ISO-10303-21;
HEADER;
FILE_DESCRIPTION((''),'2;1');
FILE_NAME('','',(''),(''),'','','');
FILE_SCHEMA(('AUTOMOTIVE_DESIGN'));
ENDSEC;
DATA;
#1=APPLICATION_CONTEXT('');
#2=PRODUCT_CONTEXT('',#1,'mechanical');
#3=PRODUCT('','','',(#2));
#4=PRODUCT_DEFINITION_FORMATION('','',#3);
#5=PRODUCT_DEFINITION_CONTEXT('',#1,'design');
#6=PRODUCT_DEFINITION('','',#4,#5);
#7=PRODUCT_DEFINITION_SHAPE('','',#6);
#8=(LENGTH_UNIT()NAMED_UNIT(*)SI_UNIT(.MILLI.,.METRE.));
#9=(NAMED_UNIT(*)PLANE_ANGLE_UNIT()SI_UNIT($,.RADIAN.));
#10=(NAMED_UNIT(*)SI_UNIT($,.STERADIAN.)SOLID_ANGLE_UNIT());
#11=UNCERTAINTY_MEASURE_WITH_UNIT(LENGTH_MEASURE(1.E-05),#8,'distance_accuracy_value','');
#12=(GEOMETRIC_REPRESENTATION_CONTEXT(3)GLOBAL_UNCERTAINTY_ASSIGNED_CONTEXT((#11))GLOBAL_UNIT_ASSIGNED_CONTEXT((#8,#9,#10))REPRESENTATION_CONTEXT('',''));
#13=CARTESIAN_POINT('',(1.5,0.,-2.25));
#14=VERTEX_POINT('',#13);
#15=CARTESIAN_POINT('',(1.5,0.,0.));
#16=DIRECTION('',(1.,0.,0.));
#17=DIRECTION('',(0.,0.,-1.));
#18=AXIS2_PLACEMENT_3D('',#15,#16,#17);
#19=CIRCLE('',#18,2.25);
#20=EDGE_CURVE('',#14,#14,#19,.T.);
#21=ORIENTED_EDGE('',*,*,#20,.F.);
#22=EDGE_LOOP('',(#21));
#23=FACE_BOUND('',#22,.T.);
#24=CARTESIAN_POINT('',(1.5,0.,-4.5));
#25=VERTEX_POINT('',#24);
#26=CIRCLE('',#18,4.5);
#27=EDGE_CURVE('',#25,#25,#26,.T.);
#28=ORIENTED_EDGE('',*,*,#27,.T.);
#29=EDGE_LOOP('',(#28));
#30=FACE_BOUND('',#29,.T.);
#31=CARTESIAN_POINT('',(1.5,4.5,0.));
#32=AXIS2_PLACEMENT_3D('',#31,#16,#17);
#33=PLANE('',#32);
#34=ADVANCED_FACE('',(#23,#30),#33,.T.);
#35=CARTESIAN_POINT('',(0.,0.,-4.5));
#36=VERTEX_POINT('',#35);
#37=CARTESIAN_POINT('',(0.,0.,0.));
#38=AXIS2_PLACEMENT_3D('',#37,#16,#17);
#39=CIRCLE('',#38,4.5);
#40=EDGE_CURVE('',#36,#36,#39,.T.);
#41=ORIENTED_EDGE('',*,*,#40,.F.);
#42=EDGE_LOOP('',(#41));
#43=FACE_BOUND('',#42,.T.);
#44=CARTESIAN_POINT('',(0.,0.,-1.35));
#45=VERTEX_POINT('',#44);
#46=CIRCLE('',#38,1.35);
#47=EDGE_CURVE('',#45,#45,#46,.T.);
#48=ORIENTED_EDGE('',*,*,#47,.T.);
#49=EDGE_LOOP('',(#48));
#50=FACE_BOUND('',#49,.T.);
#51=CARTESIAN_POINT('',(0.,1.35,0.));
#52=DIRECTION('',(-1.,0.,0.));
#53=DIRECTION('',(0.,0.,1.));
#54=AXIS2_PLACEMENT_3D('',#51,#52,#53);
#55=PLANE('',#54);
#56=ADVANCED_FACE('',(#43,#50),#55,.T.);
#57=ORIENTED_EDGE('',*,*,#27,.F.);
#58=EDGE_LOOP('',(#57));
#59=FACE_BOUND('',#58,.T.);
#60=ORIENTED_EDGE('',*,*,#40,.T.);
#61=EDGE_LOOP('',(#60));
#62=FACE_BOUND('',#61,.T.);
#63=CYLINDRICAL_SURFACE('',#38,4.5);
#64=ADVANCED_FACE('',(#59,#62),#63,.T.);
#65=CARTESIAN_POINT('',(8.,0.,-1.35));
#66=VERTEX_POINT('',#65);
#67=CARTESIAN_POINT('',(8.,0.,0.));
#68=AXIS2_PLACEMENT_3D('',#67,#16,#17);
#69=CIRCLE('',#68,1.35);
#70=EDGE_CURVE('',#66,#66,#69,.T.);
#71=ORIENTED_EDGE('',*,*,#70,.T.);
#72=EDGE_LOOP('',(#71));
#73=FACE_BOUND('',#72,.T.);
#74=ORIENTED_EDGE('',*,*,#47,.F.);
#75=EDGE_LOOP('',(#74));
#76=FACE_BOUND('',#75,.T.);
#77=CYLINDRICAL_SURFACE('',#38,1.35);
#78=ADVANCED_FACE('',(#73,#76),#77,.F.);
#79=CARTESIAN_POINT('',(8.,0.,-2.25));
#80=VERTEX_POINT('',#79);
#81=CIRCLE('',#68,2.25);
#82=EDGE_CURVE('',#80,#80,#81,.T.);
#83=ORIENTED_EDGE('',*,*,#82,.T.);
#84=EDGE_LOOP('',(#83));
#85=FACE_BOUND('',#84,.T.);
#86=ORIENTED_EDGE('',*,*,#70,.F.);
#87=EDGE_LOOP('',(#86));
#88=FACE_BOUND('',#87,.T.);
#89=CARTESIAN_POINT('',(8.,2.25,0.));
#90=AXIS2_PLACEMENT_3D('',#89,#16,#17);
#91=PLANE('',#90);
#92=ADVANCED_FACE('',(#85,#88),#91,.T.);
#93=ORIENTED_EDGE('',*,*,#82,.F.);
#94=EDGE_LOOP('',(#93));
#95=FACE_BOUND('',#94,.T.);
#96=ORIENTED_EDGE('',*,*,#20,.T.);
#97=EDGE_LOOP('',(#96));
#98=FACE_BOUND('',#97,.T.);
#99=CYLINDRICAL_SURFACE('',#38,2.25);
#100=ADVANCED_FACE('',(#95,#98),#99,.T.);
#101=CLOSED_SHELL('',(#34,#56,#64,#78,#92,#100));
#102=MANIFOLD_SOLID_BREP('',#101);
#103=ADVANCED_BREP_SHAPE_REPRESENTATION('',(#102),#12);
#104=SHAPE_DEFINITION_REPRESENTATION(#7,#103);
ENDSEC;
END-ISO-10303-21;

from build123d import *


with BuildPart() as part:
    # Эскиз1 → Повернуть1 (revolve)
    with BuildSketch(Plane.XY, mode=Mode.PRIVATE) as revolve_1_sk:
        Polygon((0, 1.35), (0, 4.5), (1.5, 4.5), (1.5, 2.25), (8, 2.25), (8, 1.35), align=None)
    revolve(revolve_1_sk.sketch.rotate(Axis((0, 0, 0), (-1, 0, 0)), 90), axis=Axis((0, 0, 0), (-1, 0, 0)))


solid = part.part
